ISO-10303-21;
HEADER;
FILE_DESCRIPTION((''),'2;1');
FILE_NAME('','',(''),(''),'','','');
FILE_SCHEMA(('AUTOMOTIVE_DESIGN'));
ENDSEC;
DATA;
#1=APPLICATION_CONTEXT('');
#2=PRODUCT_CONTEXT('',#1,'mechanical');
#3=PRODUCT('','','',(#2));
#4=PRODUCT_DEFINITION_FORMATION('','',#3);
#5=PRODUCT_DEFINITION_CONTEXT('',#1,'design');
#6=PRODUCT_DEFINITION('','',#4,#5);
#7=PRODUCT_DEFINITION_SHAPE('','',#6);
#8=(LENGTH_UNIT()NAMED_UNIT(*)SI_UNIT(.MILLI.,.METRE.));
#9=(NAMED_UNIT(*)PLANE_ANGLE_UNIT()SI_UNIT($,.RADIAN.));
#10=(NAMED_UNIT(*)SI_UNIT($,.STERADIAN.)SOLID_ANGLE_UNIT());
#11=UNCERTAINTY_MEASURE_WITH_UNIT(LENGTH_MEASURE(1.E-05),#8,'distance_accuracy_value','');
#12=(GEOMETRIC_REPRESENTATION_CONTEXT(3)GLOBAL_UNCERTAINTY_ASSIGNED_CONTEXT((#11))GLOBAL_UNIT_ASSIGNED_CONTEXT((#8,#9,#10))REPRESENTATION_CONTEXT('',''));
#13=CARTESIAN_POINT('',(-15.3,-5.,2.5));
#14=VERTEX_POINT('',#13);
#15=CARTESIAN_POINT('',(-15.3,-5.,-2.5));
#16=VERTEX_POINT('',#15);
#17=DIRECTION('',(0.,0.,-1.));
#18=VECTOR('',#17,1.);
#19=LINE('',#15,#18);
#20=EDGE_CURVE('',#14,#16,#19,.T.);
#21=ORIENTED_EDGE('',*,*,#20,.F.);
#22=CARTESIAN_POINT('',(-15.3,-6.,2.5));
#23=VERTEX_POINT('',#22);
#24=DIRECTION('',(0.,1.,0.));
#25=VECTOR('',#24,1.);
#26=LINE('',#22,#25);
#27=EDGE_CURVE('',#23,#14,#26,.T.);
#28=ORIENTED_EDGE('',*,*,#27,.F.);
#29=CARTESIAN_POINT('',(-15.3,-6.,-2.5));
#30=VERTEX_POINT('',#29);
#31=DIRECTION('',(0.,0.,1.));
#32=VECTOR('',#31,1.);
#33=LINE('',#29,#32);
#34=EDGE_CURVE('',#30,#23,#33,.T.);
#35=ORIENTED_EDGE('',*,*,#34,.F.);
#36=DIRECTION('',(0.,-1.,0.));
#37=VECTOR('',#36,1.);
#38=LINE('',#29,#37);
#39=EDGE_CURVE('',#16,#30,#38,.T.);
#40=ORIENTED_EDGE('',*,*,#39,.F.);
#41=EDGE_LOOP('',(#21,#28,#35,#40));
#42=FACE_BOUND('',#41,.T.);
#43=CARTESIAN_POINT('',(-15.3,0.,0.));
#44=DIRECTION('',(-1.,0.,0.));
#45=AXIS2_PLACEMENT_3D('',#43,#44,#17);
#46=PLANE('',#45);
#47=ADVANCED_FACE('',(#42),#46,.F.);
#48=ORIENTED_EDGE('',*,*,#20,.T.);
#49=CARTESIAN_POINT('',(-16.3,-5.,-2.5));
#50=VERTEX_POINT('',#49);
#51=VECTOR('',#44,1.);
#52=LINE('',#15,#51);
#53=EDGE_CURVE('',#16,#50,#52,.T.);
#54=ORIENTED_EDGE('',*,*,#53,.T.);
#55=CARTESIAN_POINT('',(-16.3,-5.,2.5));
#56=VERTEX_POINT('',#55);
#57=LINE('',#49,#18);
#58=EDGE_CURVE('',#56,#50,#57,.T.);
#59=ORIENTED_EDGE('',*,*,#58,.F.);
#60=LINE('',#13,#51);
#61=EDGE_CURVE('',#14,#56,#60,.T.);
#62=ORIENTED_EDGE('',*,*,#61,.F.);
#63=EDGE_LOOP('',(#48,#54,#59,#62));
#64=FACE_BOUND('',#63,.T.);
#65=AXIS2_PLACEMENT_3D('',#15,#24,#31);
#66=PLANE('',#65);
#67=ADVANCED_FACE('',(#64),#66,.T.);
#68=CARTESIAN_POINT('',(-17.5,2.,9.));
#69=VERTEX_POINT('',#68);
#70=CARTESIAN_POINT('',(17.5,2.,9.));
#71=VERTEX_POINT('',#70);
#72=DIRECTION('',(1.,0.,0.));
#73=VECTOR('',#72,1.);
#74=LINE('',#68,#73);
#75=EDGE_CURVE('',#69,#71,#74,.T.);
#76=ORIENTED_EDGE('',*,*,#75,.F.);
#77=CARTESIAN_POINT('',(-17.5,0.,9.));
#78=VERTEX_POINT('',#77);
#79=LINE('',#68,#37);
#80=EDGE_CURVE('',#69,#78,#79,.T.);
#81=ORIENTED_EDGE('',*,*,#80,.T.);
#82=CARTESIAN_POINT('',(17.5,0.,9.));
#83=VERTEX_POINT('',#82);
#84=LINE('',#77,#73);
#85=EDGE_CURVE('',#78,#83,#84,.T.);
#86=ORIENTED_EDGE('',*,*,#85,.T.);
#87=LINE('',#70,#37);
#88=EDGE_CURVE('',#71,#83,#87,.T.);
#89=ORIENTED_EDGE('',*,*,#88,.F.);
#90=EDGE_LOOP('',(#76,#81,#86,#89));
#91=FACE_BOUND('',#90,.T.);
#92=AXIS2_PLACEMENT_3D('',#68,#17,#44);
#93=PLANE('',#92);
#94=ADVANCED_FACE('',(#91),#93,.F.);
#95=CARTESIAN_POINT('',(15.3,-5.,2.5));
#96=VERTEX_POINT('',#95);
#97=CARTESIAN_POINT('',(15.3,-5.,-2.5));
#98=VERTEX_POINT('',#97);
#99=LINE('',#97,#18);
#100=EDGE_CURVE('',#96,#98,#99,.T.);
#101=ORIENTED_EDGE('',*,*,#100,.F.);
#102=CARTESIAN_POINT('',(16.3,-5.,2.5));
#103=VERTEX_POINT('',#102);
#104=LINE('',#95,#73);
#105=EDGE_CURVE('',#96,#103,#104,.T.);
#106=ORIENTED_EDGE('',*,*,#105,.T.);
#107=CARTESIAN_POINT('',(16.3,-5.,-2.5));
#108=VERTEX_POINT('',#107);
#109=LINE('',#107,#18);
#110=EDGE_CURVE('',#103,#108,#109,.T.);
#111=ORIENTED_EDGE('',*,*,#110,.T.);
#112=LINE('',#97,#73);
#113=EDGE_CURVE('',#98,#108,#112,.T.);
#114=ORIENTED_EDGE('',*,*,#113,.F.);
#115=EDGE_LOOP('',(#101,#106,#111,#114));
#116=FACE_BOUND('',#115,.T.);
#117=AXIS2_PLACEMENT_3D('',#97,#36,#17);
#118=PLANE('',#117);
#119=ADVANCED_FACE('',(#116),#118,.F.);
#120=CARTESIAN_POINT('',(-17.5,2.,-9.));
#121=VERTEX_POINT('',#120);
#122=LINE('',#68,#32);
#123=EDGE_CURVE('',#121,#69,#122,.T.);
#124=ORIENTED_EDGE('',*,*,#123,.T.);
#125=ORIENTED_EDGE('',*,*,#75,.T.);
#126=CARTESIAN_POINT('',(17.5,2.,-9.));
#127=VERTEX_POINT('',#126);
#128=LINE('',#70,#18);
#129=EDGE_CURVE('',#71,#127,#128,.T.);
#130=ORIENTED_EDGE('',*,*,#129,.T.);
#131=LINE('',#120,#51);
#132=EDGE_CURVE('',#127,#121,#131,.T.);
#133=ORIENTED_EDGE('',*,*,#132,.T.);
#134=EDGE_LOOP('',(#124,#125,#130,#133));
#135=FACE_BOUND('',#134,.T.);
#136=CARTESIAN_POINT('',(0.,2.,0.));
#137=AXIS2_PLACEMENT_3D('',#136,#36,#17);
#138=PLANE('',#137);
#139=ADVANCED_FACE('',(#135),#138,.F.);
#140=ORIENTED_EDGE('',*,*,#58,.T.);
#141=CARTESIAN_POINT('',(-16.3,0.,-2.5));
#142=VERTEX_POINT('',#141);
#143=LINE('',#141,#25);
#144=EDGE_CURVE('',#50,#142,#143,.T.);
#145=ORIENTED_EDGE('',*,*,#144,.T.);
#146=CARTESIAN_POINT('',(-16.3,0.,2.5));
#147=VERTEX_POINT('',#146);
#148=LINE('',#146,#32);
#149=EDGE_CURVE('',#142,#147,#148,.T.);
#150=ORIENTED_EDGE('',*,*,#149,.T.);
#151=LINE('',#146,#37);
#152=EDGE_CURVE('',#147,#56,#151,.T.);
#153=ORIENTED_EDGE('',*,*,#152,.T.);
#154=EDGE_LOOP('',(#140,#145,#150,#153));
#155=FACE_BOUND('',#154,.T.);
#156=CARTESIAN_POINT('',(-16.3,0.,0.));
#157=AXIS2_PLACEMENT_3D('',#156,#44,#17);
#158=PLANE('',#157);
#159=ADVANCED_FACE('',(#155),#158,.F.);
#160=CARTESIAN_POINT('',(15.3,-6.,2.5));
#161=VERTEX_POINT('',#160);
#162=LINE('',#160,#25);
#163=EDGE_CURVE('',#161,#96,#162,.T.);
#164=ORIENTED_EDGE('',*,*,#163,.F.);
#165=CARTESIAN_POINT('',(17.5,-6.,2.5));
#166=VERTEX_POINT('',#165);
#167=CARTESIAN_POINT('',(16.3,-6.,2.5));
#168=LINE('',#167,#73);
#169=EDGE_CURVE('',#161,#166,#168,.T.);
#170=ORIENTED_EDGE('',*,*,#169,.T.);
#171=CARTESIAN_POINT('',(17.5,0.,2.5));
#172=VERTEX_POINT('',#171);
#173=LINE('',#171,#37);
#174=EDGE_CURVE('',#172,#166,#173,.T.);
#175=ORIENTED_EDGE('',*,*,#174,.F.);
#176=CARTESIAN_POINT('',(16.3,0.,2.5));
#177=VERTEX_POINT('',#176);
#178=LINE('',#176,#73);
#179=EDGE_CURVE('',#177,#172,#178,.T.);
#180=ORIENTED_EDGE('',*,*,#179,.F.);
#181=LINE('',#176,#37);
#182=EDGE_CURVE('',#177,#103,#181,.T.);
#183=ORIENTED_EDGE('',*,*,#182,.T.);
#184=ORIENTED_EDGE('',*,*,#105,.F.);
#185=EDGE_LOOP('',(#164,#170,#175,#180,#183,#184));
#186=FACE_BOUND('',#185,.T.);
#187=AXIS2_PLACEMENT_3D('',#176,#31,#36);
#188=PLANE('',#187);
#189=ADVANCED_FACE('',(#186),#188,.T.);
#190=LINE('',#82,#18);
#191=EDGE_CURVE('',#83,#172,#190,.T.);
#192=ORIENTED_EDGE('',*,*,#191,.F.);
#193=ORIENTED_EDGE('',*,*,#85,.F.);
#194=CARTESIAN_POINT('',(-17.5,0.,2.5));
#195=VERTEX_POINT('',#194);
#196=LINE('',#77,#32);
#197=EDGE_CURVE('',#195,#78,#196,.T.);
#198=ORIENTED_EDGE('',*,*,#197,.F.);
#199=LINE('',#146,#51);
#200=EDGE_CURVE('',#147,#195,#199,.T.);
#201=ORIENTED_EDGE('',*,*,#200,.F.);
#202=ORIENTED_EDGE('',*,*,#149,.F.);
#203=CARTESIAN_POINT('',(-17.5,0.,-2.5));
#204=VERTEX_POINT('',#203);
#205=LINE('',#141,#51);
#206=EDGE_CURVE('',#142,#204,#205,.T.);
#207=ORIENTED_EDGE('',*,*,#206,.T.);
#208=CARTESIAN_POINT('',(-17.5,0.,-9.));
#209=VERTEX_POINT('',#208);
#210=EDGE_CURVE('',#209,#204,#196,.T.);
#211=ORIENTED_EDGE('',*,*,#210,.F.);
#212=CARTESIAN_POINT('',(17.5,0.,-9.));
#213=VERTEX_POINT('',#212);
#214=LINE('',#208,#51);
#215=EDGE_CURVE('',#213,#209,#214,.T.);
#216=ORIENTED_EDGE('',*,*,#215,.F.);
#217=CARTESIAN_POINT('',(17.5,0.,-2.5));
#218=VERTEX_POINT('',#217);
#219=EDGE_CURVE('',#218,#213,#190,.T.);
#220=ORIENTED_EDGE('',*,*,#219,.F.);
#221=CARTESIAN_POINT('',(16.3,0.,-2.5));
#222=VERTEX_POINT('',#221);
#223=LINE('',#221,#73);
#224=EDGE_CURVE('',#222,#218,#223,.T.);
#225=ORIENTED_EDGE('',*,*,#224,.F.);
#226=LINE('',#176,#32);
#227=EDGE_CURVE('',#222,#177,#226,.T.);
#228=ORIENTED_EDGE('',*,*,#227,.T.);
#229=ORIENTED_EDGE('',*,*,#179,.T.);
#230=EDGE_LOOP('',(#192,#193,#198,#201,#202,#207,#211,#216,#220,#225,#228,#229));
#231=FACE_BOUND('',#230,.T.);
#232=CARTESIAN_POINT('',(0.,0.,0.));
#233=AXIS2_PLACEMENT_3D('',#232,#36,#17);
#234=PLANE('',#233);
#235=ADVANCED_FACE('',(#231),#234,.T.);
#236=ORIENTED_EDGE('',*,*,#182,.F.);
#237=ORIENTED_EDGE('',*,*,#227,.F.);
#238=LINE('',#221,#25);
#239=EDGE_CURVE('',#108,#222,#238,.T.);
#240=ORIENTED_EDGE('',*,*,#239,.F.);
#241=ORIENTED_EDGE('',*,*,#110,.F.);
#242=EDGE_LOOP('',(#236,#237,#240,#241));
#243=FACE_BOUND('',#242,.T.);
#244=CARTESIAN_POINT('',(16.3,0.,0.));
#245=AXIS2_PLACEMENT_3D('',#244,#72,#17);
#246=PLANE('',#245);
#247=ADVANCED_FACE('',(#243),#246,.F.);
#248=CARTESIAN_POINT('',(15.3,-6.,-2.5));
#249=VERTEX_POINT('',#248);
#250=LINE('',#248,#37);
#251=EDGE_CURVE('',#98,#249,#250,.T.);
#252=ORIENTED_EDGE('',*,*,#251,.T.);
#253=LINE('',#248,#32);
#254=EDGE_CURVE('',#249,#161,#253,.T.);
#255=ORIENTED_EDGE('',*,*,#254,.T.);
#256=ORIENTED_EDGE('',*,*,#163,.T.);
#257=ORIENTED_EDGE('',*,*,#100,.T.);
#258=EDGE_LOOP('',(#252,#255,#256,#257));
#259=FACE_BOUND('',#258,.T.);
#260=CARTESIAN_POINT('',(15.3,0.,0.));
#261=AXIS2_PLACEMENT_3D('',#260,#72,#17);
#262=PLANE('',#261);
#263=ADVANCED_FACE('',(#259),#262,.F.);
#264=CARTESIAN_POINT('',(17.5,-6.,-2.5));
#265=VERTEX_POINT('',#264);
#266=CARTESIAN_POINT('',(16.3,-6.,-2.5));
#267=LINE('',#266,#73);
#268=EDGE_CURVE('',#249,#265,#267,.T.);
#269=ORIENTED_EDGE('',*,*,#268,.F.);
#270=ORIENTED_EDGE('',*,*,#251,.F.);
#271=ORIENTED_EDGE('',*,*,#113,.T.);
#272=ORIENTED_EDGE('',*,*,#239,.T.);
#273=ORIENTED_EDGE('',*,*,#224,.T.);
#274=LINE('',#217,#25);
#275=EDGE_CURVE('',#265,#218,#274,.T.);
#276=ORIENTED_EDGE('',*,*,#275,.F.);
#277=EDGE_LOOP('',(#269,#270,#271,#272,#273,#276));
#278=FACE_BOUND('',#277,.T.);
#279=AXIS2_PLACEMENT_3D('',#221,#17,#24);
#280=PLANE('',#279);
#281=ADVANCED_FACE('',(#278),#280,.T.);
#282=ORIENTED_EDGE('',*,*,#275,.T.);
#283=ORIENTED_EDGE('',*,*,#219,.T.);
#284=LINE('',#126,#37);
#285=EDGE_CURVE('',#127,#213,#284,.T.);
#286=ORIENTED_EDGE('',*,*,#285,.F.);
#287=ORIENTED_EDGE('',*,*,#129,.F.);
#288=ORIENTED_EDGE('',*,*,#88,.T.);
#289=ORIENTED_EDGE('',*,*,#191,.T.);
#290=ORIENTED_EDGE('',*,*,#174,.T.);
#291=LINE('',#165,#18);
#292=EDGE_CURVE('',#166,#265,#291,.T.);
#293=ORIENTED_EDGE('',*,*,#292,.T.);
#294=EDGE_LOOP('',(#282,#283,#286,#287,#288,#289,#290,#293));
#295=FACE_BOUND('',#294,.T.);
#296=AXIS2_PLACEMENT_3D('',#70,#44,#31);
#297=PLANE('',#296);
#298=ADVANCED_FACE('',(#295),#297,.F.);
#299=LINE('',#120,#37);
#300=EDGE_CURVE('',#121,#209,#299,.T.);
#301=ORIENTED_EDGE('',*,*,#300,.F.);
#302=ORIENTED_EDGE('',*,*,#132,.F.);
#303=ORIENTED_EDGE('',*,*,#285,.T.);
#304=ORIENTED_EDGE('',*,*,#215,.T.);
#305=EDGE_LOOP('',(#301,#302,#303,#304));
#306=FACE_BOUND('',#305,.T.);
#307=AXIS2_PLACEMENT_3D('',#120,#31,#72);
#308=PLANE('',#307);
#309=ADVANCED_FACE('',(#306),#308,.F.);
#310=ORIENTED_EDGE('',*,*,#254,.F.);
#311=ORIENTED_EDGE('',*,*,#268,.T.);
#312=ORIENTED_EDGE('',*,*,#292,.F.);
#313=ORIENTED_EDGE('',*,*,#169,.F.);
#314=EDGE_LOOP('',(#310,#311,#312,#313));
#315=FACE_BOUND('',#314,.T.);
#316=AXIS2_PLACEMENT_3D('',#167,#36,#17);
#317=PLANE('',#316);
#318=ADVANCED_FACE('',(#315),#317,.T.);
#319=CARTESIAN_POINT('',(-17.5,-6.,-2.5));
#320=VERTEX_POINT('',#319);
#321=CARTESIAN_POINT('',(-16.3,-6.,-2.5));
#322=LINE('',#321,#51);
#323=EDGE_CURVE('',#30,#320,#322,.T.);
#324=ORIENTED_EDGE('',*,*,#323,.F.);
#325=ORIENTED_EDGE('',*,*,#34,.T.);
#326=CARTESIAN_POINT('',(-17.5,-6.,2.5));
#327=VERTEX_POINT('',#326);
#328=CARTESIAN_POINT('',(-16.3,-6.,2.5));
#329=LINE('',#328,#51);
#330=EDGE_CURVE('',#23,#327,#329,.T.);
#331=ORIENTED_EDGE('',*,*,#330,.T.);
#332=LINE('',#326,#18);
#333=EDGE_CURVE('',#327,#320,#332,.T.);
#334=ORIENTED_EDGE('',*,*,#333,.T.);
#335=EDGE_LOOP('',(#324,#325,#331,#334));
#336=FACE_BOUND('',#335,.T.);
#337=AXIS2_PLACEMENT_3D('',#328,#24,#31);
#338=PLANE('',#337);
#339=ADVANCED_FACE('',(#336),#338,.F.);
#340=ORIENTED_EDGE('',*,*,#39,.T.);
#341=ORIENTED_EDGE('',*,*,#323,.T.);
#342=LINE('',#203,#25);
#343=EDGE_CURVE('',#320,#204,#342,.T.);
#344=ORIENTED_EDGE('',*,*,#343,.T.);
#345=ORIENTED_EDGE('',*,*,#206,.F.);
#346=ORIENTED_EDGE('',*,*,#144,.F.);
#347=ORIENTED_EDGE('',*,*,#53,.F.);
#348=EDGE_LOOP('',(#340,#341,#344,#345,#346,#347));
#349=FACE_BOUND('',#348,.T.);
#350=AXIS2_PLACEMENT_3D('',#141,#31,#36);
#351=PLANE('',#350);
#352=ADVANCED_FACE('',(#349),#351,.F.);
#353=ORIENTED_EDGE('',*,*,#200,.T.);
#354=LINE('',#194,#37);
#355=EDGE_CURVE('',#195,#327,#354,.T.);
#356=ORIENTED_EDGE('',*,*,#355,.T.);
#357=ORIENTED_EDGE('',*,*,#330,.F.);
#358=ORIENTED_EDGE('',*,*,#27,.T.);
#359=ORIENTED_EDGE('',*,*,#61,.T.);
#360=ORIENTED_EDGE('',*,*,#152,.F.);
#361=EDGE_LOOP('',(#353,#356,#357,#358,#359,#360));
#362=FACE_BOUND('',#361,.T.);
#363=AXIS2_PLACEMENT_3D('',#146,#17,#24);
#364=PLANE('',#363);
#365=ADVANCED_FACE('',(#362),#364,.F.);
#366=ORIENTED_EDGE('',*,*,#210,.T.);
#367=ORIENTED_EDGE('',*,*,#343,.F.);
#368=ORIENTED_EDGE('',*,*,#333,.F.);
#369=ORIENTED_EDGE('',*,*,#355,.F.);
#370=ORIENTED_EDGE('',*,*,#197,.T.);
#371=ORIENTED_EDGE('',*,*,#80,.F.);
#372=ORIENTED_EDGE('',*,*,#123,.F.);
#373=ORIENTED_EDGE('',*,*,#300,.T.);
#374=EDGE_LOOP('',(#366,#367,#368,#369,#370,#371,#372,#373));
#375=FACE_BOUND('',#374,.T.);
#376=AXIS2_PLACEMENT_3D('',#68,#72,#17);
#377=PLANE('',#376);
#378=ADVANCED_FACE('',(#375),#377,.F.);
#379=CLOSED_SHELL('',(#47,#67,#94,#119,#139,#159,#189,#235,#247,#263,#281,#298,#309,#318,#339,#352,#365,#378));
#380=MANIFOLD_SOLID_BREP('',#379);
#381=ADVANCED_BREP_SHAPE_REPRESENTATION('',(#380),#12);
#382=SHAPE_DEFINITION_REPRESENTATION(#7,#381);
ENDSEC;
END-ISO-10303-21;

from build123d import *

# Parameters (mm, degrees)
SKETCH1_W           = 35
SKETCH1_H           = 18
BOSS_EXTRUDE1_DEPTH = 2
SKETCH2_W           = 5
SKETCH2_H           = 6
BOSS_EXTRUDE2_DEPTH = 1.2
SKETCH3_W           = 5
SKETCH3_H           = 1
BOSS_EXTRUDE3_DEPTH = 1


with BuildPart() as part:
    # Sketch1 → Boss-Extrude1 (new body)
    with BuildSketch(Plane(origin=(0, 0, 0), x_dir=(1, 0, 0), z_dir=(0, 1, 0))):
        Rectangle(SKETCH1_W, SKETCH1_H)
    extrude(amount=BOSS_EXTRUDE1_DEPTH)

    # Sketch2 → Boss-Extrude2 (add)
    with BuildSketch(Plane(origin=(17.5, 0, 0), x_dir=(0, 0, -1), z_dir=(1, 0, 0))):
        with Locations((0, -3)):
            Rectangle(SKETCH2_W, SKETCH2_H)
    boss_extrude2 = extrude(amount=-BOSS_EXTRUDE2_DEPTH)

    # Sketch3 → Boss-Extrude3 (add)
    with BuildSketch(Plane.ZY.offset(-16.3)):
        with Locations((0, -5.5)):
            Rectangle(SKETCH3_W, SKETCH3_H)
    boss_extrude3 = extrude(amount=BOSS_EXTRUDE3_DEPTH)

    # Mirror1: Boss-Extrude2, Boss-Extrude3 across plane
    add(boss_extrude2.mirror(Plane(origin=(0, 0, 0), x_dir=(0, 0, 1), z_dir=(1, 0, 0))))
    add(boss_extrude3.mirror(Plane(origin=(0, 0, 0), x_dir=(0, 0, 1), z_dir=(1, 0, 0))))


solid = part.part
